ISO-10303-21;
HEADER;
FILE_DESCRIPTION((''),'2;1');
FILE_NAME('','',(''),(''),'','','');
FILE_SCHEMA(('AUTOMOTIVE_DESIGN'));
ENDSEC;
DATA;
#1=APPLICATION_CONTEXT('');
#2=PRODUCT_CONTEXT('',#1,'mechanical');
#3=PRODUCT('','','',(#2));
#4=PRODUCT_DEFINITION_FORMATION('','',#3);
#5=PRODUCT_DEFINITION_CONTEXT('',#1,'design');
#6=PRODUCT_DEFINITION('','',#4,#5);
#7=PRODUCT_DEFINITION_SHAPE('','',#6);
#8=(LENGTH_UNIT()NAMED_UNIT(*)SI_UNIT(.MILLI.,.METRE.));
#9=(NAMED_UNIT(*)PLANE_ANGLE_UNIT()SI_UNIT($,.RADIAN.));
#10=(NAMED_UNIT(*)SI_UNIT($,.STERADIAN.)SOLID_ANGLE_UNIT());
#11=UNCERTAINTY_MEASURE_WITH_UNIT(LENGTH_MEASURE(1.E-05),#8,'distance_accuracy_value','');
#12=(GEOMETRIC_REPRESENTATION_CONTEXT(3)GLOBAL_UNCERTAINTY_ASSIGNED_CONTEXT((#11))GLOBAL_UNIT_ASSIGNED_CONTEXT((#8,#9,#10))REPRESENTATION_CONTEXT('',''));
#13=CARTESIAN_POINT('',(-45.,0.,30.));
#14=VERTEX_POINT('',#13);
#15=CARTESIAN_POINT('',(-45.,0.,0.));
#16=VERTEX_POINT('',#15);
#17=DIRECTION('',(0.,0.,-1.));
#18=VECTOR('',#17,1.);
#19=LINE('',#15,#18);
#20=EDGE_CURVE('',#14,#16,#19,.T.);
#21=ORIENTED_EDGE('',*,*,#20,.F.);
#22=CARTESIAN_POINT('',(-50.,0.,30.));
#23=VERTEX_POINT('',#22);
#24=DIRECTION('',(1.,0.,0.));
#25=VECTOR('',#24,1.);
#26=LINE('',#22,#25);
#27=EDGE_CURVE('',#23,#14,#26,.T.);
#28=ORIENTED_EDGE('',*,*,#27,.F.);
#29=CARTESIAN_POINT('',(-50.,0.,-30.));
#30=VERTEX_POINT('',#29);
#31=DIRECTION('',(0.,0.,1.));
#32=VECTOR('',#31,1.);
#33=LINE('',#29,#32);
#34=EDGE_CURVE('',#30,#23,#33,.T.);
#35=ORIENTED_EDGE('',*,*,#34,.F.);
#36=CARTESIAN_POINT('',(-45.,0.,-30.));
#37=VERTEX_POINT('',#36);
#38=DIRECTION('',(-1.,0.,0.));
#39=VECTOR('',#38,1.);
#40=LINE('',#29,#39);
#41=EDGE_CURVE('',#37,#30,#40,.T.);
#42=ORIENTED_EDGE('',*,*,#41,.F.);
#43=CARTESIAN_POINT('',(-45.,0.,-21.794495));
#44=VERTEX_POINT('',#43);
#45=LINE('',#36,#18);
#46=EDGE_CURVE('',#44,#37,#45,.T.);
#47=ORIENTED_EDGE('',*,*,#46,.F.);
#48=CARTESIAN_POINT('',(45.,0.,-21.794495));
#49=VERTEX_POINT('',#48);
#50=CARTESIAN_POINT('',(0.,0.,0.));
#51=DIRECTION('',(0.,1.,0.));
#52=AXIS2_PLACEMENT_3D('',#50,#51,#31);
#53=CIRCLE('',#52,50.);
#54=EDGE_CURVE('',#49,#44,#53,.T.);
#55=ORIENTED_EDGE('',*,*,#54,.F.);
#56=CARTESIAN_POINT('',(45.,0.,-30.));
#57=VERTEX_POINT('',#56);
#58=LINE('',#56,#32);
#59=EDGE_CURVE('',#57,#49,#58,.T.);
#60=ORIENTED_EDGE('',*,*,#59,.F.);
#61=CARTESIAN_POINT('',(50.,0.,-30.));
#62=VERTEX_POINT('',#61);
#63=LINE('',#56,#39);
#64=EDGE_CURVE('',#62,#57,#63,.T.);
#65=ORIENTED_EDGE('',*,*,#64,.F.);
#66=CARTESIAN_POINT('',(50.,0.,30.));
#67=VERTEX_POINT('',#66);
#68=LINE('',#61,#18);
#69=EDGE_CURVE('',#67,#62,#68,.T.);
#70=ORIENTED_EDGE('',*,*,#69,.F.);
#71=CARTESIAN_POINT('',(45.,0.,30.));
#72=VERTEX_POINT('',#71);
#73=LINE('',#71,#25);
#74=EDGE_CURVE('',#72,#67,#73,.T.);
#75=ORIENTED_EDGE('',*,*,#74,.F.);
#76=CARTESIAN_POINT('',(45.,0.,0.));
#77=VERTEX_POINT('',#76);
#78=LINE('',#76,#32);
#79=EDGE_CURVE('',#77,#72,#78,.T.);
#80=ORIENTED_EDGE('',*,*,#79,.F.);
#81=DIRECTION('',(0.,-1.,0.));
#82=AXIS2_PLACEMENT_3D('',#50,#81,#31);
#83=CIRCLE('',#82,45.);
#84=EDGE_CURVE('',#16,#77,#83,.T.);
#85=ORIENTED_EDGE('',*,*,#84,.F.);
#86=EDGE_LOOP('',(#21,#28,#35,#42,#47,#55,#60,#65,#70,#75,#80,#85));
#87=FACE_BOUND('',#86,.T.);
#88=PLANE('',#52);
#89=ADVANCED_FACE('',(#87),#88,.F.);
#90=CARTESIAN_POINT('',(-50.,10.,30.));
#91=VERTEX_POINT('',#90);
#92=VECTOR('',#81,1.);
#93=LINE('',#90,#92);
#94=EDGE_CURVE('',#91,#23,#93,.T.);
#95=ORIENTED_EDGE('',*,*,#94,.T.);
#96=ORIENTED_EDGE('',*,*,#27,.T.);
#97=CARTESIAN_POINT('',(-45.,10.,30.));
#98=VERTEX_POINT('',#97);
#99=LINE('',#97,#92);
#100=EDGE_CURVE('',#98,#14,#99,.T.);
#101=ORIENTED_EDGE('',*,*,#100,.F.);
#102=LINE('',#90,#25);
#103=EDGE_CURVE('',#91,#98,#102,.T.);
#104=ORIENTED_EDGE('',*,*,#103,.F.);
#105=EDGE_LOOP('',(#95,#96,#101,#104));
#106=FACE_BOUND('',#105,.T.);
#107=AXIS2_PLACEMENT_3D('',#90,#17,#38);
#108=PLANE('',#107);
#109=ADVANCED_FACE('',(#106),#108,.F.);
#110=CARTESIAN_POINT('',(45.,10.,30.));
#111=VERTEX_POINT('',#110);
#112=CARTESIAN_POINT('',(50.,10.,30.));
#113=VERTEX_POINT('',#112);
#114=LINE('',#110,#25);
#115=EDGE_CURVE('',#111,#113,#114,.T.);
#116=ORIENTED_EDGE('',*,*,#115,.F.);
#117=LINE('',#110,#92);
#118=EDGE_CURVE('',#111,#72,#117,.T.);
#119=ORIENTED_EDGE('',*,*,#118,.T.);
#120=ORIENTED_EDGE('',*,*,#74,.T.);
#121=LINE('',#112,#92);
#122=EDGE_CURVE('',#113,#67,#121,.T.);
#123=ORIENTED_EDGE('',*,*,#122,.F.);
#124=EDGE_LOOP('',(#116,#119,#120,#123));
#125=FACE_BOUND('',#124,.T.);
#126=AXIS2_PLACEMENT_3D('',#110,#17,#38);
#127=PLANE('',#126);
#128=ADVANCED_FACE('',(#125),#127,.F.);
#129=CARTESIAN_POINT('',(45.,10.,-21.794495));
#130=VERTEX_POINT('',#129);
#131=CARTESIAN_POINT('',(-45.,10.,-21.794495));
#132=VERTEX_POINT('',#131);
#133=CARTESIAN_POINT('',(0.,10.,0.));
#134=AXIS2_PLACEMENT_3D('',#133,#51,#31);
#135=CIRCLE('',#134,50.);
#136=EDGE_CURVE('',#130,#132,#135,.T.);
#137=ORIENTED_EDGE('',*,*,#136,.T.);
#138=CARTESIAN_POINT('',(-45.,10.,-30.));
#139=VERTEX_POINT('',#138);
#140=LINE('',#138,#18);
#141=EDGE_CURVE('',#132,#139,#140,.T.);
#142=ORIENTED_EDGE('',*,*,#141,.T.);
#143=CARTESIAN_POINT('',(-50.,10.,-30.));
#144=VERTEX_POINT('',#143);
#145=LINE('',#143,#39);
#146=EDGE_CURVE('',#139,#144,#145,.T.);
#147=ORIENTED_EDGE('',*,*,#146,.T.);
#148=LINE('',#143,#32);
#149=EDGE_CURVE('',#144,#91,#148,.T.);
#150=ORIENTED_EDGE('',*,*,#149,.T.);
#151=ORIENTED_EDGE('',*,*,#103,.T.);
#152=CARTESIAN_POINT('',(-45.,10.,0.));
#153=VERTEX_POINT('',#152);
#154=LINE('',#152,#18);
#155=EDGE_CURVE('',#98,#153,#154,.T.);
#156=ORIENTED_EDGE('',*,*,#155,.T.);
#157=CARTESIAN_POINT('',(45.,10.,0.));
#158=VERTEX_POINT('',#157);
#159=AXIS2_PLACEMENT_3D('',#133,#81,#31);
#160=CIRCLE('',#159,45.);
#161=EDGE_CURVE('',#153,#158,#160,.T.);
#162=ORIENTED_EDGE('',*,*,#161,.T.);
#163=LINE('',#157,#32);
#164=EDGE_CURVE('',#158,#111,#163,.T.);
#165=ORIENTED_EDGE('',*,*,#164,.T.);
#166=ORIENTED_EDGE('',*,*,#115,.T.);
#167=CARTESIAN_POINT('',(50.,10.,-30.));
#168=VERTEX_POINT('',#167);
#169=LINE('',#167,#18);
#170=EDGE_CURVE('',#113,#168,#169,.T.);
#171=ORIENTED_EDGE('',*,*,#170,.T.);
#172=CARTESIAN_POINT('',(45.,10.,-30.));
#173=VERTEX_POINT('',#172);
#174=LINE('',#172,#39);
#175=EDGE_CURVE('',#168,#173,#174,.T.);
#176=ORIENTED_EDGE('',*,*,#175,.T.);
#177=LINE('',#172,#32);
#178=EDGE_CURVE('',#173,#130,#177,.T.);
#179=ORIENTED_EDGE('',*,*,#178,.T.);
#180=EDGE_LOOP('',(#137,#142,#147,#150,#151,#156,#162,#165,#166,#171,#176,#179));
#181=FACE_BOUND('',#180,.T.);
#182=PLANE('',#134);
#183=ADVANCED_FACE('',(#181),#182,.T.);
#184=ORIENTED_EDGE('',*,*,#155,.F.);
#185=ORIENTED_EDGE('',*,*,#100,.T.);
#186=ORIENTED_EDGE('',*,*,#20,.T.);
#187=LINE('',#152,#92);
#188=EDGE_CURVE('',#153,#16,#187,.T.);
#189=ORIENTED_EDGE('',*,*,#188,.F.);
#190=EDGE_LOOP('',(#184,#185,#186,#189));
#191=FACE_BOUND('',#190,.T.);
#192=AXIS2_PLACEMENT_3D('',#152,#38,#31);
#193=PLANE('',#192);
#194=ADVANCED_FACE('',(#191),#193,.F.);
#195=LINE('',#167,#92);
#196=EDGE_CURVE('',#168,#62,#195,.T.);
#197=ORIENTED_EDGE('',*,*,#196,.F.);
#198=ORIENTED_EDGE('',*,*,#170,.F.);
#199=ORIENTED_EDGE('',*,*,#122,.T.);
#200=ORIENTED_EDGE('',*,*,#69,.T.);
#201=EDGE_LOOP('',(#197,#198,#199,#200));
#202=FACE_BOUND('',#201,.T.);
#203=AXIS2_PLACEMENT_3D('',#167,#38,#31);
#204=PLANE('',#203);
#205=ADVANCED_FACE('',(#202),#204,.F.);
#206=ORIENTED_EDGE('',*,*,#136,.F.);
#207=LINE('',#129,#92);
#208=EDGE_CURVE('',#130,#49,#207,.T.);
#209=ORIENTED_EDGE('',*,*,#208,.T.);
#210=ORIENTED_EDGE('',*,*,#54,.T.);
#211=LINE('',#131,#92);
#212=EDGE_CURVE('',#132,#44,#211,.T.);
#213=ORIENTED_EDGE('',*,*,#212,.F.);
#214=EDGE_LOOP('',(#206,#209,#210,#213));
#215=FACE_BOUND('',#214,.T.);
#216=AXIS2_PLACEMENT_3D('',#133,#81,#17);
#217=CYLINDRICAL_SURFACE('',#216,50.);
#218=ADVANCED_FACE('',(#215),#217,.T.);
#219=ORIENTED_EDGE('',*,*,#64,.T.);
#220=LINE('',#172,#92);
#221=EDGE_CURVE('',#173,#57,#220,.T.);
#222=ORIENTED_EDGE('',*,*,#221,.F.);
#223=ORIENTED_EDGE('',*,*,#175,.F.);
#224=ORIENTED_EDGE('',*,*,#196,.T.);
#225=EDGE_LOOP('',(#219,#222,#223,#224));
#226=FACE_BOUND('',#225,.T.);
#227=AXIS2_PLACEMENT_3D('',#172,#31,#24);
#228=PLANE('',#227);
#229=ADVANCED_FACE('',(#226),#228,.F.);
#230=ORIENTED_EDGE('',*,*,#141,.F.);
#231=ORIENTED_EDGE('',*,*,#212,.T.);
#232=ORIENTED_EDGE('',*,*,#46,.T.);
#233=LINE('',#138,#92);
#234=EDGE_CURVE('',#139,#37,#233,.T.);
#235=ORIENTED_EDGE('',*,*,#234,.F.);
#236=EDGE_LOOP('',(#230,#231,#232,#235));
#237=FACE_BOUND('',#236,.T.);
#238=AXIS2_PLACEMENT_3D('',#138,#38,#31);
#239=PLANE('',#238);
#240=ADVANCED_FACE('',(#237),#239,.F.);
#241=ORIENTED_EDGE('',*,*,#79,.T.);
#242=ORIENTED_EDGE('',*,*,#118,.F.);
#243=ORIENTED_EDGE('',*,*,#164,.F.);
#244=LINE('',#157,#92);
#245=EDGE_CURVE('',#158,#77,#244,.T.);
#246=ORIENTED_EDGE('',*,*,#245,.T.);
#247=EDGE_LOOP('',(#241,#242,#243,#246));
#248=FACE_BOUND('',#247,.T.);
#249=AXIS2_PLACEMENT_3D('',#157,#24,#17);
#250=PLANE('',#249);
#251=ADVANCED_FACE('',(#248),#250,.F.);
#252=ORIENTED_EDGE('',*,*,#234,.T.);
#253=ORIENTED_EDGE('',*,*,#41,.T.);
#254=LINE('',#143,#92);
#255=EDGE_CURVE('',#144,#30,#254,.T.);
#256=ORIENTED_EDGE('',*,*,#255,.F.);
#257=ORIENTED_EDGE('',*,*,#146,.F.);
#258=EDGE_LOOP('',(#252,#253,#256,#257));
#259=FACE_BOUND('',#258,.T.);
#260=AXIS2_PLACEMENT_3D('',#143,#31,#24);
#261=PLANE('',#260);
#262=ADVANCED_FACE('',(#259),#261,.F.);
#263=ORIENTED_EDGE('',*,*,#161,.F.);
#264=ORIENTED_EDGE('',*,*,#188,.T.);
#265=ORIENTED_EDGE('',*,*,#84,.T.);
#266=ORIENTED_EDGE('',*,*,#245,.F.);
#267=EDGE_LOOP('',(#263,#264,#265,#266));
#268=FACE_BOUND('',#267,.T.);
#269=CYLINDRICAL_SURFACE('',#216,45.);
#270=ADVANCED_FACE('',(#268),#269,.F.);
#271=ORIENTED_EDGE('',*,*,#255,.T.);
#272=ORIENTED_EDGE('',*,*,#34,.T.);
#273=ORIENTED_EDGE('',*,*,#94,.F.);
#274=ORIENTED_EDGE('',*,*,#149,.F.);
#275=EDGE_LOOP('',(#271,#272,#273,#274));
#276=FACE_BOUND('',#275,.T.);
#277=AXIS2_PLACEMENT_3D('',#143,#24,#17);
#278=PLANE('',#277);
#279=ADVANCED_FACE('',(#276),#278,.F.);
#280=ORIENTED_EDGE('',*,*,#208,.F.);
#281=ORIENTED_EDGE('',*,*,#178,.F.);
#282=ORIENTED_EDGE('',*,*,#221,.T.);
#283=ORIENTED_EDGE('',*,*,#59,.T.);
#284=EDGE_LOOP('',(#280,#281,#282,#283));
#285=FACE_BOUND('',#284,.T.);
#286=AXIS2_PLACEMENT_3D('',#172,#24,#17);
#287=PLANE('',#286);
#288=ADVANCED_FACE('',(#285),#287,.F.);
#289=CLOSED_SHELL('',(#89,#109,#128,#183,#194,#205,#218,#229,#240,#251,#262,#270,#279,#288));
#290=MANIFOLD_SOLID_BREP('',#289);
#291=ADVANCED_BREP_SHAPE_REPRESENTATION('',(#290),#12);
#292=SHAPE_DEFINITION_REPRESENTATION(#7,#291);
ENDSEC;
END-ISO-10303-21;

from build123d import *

# Parameters (mm, degrees)
EXTRUDE_1_DEPTH = 10


with BuildPart() as part:
    # 草图1 → 凸台-拉伸1 (new body)
    with BuildSketch(Plane(origin=(0, 0, 0), x_dir=(1, 0, 0), z_dir=(0, 1, 0))):
        with BuildLine():
            Line((-45, 0), (-45, -30))
            Line((-45, -30), (-50, -30))
            Line((-50, -30), (-50, 30))
            Line((-50, 30), (-45, 30))
            Line((-45, 30), (-45, 21.794494718))
            ThreePointArc((-45, 21.794494718), (0, 50), (45, 21.794494718))
            Line((45, 21.794494718), (45, 30))
            Line((45, 30), (50, 30))
            Line((50, 30), (50, -30))
            Line((50, -30), (45, -30))
            Line((45, -30), (45, 0))
            ThreePointArc((45, 0), (0, 45), (-45, 0))
        make_face()
    extrude(amount=EXTRUDE_1_DEPTH)


solid = part.part
